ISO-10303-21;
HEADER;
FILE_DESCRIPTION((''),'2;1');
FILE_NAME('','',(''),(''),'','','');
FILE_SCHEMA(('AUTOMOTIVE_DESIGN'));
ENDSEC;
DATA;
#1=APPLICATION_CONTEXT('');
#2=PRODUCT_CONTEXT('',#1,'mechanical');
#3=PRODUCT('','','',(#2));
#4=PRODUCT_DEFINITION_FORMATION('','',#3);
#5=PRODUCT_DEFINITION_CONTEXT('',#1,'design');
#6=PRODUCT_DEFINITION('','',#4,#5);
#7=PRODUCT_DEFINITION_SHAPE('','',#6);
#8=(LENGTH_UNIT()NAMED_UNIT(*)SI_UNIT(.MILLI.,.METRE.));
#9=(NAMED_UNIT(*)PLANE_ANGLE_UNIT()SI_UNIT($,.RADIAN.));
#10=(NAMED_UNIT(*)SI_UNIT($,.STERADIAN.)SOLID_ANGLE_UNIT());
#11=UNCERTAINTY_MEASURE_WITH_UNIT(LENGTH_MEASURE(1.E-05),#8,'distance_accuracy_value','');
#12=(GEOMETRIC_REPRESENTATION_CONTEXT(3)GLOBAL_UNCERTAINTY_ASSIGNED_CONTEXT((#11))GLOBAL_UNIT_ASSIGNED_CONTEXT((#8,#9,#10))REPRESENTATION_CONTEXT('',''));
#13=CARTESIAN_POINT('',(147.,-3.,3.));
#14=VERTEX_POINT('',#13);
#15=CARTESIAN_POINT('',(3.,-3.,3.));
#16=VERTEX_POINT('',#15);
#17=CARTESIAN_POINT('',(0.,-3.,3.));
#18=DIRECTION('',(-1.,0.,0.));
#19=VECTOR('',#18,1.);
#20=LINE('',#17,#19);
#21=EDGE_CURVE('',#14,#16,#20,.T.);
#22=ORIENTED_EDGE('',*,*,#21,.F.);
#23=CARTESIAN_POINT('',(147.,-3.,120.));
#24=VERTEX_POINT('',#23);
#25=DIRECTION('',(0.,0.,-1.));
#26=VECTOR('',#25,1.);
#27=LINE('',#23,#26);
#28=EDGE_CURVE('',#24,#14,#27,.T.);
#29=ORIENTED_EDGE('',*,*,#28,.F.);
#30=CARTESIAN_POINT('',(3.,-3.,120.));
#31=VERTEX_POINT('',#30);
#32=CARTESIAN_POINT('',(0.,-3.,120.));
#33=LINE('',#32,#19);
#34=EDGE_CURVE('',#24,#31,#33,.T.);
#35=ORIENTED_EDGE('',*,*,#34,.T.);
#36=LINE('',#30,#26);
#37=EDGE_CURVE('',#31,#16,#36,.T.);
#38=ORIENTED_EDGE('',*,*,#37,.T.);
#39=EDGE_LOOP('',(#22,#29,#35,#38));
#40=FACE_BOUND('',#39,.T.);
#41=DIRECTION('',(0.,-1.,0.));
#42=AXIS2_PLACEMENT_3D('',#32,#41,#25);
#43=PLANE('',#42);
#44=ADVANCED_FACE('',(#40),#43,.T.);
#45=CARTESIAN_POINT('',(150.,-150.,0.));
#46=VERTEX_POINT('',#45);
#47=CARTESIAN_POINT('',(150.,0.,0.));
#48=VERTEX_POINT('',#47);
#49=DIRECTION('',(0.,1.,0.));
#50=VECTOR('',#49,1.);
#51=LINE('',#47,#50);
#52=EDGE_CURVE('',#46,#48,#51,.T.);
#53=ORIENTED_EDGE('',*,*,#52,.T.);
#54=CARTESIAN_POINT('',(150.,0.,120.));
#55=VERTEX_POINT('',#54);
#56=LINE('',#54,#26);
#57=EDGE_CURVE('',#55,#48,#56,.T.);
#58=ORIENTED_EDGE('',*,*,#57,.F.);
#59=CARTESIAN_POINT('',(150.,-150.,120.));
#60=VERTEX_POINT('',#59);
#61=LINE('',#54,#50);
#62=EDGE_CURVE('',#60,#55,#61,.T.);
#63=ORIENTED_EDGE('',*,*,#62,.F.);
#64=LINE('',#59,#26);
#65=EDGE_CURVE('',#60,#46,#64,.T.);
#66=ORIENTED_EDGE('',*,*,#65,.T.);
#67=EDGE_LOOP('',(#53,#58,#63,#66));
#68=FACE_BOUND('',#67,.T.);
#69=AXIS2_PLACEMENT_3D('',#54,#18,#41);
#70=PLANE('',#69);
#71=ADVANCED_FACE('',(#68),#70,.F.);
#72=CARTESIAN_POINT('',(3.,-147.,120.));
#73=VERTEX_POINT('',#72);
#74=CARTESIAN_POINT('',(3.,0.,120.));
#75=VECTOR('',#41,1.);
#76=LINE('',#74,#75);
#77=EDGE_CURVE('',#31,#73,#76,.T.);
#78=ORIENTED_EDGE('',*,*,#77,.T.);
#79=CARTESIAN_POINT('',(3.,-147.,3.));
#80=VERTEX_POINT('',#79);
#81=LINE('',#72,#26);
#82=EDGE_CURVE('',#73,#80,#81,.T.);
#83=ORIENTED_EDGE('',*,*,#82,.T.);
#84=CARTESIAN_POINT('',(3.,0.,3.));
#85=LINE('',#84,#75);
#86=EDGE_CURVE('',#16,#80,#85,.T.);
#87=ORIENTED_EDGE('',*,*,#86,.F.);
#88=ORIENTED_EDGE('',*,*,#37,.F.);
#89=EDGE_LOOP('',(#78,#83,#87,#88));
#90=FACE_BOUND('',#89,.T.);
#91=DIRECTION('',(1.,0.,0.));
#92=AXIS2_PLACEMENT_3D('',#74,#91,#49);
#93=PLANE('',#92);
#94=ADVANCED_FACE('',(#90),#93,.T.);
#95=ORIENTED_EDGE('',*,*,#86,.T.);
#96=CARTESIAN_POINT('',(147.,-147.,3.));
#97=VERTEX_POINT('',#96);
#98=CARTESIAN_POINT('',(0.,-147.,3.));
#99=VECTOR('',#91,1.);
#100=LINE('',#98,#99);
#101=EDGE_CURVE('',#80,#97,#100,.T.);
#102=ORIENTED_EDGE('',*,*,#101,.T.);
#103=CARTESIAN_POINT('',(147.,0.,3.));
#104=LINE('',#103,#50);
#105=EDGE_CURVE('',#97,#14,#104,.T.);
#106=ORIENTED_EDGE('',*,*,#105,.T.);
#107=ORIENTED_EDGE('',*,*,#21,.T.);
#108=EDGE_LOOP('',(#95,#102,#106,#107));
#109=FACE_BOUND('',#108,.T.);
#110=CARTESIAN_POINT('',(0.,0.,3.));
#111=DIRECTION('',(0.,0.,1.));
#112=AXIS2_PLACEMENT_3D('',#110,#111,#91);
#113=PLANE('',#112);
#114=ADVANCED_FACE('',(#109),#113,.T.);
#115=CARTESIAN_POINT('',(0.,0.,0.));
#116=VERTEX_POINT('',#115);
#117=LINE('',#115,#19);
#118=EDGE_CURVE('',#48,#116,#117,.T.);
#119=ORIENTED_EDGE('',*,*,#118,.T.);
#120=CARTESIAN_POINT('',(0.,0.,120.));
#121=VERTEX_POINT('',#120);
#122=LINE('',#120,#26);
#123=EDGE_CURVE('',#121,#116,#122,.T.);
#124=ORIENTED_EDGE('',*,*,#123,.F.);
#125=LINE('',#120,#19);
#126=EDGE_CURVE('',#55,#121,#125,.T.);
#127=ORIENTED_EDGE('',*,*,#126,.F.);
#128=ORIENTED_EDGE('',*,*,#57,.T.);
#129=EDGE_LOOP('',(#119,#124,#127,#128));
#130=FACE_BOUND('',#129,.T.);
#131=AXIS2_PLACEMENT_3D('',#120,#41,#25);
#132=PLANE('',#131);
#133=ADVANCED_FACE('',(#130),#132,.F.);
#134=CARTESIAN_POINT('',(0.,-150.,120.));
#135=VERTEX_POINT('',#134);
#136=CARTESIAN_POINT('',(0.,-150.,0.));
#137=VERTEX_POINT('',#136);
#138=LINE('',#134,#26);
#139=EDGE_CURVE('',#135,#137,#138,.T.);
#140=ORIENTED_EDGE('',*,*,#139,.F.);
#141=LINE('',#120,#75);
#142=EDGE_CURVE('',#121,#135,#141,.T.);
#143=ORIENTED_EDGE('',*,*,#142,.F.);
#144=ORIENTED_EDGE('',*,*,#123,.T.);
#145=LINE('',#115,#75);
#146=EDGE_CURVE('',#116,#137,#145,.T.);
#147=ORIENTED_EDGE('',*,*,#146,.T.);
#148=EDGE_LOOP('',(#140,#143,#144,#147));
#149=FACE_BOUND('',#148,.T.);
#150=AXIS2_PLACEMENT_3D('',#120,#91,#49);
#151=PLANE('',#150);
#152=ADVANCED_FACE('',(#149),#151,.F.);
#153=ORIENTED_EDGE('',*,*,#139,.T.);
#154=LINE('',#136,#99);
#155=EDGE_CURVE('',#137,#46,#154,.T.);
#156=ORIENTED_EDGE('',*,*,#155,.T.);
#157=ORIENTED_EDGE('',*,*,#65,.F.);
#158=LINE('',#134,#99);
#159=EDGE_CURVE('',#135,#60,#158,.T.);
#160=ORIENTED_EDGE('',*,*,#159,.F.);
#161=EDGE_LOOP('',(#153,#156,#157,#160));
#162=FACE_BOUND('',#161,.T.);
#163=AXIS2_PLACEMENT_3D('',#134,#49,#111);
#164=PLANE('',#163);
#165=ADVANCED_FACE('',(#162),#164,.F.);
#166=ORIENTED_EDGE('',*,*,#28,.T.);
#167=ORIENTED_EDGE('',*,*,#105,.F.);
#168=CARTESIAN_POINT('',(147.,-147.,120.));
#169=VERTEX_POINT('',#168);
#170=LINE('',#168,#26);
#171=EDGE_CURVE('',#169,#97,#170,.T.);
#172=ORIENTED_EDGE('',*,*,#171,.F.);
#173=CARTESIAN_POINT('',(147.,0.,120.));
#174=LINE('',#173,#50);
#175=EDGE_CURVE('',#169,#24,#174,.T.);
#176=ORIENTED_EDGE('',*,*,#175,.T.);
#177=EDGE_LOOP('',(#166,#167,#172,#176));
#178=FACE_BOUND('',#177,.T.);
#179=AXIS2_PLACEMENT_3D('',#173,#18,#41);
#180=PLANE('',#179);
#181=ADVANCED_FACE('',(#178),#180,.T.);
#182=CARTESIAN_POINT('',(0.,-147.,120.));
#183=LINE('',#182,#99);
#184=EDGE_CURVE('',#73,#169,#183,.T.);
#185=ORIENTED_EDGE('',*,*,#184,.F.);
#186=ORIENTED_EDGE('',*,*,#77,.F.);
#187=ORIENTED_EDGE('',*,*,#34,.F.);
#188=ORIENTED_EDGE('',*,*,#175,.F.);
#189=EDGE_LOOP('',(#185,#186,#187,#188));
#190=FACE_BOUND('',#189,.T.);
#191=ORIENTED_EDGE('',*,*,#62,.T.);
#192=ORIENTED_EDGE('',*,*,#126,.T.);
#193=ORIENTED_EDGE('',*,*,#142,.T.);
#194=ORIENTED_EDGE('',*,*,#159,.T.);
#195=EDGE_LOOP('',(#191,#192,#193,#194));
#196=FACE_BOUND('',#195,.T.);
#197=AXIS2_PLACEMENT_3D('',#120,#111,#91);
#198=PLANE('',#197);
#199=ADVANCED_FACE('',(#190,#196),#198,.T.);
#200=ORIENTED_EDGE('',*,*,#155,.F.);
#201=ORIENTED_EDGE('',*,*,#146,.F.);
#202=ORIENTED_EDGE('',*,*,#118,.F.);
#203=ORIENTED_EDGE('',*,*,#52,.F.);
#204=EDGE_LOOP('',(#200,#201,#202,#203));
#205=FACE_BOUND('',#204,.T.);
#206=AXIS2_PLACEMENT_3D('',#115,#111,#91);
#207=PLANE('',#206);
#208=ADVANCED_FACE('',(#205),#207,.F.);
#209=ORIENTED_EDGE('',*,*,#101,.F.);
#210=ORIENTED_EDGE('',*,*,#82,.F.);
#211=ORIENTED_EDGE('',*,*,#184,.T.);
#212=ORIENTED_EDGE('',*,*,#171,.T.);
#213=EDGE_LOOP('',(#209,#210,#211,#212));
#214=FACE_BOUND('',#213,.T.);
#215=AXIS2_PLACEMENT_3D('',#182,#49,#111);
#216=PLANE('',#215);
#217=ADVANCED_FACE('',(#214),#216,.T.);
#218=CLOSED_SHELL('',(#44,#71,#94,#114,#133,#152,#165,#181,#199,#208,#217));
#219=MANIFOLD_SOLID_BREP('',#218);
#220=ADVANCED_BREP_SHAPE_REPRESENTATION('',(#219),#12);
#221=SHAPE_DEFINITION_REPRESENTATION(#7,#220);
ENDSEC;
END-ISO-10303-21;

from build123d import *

# Parameters (mm, degrees)
SKETCH_1_W      = 150
SKETCH_1_H      = 150
EXTRUDE_1_DEPTH = 120
SHELL_1_T       = -3


with BuildPart() as part:
    # 草图1 → 凸台-拉伸1 (new body)
    with BuildSketch(Plane.XY):
        with Locations((75, -75)):
            Rectangle(SKETCH_1_W, SKETCH_1_H)
    extrude(amount=EXTRUDE_1_DEPTH)

    # 抽壳1
    shell_1_openings = [part.faces().sort_by_distance(p)[0] for p in [
        (75, -75, 120),
    ]]
    offset(amount=SHELL_1_T, openings=shell_1_openings, kind=Kind.INTERSECTION)


solid = part.part
